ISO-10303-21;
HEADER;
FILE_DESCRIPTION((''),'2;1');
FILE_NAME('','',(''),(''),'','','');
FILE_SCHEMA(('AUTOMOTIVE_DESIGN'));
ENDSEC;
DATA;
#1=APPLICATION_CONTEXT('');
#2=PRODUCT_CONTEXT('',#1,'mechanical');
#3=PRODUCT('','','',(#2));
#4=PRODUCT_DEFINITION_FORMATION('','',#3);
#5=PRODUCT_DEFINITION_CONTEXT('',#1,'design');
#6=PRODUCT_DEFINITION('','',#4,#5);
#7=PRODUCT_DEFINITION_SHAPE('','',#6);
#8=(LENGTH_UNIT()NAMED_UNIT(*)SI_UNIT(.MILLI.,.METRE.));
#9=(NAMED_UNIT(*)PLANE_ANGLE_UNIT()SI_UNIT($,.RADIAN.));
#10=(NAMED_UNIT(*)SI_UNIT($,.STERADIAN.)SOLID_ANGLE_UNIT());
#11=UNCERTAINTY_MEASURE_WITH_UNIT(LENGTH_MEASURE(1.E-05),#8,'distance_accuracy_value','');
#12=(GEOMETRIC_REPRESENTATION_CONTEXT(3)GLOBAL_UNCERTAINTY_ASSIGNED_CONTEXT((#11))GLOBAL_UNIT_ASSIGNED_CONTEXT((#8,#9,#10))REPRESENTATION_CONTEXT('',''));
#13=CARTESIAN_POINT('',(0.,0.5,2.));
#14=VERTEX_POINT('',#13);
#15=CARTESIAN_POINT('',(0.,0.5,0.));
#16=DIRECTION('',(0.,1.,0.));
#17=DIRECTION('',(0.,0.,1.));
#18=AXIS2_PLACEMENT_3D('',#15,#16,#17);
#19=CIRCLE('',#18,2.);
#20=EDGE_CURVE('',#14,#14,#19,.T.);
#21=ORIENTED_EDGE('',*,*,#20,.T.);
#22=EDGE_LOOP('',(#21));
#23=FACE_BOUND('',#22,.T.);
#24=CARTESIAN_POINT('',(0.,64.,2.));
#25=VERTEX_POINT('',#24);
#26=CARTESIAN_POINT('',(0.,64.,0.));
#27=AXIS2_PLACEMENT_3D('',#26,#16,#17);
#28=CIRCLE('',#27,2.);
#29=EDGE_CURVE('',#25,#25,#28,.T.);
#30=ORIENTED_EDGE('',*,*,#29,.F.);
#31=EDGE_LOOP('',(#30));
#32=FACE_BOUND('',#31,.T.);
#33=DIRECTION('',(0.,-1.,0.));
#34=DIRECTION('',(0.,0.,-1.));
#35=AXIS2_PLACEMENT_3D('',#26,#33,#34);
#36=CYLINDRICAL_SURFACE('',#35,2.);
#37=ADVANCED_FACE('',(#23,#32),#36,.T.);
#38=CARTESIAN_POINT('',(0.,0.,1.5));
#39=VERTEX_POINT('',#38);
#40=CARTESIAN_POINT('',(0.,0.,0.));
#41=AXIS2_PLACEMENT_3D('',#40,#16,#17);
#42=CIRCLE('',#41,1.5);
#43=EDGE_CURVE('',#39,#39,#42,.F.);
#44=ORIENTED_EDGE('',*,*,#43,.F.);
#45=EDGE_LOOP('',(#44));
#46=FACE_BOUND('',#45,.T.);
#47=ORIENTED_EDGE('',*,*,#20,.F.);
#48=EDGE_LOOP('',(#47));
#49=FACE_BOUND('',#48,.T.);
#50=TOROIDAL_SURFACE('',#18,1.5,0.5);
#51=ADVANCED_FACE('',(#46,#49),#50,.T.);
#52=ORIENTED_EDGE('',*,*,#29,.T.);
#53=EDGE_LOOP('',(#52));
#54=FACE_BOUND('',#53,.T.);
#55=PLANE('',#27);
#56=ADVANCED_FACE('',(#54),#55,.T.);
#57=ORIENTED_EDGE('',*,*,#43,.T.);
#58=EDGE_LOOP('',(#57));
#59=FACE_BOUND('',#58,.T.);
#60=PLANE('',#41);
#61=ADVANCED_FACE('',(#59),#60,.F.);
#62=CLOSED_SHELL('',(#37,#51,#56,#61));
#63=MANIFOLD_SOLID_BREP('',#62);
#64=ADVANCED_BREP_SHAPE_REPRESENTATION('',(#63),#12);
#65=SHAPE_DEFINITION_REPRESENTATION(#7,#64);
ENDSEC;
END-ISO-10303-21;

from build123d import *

# Parameters (mm, degrees)
SKETCH1_R           = 2
BOSS_EXTRUDE1_DEPTH = 64
FILLET1_R           = 0.5


with BuildPart() as part:
    # Sketch1 → Boss-Extrude1 (new body)
    with BuildSketch(Plane(origin=(0, 0, 0), x_dir=(1, 0, 0), z_dir=(0, 1, 0))):
        Circle(SKETCH1_R)
    extrude(amount=BOSS_EXTRUDE1_DEPTH)

    # Fillet1
    fillet1_edges = [part.edges().sort_by_distance(p)[0] for p in [
        (-2, 0, 0),
    ]]
    fillet(fillet1_edges, radius=FILLET1_R)


solid = part.part
